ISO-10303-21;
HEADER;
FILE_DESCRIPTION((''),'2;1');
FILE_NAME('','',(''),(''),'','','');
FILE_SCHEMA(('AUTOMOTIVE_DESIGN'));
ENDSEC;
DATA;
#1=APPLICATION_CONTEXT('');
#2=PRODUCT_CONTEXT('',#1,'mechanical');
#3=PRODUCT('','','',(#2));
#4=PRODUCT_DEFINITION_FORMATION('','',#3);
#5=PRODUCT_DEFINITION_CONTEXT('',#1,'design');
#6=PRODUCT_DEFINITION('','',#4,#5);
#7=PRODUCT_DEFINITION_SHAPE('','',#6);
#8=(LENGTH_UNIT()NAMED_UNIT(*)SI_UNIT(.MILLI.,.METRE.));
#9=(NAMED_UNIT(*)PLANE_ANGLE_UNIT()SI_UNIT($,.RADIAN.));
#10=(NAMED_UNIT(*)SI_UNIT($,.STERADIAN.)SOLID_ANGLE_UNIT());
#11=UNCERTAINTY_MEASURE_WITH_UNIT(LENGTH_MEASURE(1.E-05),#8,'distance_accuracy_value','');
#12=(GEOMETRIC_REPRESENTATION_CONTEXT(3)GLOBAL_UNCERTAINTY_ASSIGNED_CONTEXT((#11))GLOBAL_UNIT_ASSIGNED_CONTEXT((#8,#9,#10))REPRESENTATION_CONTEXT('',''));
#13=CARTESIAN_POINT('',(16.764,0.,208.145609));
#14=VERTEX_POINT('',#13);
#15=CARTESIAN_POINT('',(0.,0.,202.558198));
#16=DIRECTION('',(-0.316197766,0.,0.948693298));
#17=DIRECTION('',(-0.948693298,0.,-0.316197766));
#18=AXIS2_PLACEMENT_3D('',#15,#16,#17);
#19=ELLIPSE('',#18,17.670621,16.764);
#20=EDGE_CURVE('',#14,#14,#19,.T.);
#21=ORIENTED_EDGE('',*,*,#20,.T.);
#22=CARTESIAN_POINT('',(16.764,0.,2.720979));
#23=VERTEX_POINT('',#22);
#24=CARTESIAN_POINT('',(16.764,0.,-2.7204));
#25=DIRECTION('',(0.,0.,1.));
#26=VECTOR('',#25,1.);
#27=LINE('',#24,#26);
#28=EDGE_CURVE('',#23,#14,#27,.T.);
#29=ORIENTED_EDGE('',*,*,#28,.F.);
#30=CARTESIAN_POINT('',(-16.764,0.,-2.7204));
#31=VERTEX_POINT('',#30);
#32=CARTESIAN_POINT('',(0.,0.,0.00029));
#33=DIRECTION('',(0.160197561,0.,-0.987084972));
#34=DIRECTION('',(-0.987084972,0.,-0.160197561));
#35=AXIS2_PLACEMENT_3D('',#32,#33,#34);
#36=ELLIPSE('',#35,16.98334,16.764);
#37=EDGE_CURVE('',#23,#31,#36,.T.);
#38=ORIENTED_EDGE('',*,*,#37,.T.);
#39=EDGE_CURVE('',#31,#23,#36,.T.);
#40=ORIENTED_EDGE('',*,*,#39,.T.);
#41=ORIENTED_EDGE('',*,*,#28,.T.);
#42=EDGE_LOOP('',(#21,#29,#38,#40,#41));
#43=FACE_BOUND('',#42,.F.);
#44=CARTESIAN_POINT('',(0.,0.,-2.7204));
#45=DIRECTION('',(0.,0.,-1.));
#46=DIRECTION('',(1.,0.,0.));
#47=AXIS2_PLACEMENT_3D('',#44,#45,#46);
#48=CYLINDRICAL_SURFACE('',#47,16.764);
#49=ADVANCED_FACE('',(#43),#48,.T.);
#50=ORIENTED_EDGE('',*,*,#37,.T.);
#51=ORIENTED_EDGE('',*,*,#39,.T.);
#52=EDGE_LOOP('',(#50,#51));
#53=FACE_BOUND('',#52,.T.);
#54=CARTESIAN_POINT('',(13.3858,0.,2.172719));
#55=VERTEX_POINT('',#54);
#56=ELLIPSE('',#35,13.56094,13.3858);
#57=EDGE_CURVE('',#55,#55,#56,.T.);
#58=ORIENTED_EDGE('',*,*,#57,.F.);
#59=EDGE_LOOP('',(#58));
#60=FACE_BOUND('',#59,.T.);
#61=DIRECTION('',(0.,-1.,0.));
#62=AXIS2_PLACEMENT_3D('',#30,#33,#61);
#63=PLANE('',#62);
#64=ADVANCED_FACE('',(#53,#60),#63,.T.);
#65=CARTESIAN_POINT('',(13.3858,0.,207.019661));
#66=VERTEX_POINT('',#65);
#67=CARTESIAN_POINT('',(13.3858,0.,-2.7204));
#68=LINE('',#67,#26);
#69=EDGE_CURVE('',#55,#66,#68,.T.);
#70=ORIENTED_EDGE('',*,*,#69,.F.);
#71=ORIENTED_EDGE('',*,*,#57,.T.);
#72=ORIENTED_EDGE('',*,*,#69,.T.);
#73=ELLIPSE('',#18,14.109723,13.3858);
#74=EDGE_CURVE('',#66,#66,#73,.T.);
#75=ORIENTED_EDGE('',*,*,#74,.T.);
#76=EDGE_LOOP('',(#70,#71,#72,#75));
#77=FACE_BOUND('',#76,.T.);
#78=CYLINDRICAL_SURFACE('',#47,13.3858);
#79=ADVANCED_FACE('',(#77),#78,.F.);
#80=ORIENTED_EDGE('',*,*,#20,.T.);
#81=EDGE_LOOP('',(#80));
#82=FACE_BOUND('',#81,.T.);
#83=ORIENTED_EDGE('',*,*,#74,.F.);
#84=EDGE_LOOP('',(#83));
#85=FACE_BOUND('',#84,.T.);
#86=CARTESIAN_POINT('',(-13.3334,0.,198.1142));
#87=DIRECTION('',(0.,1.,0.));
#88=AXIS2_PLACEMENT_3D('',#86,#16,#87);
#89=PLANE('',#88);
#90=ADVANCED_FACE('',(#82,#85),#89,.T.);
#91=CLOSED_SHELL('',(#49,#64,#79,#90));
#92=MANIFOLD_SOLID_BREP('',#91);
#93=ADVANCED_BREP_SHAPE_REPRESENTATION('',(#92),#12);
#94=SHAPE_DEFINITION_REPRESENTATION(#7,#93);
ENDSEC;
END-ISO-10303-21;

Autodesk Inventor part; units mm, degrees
ref_plane "Start plane" through (0, 0, -2.7204) normal (0, 0, 1) x (1, 0, 0)
ref_plane "End plane" through (0, 0, 208.1466) normal (0, 0, 1) x (1, 0, 0)
sketch "Sketch" plane through (0, 0, 0) normal (0, 0, 1) x (1, 0, 0)
  circle A0 centre (0, 0) radius 13.3858
  circle A1 centre (0, 0) radius 16.764
  dimension "d0" = 33.528
  dimension "d1" = 3.3782
extrude "Body" add sketch "Sketch" along normal up to surface (210.8671 mm away) from surface at -2.7204
sketch "Sketch3" plane through (0, 0, 0) normal (0, 0, 1) x (1, 0, 0)
  line L0 (0, 0) -> (10, 0)
ref_plane "Work Plane3" through (0, 0, 0) normal (0, -1, 0) x (1, 0, 0)
ref_plane "Work Plane4" through (-13.3334, 0, 198.1142) normal (-0.3162, 0, 0.9487) x (0.9487, 0, 0.3162)
split "Split1" plane through (-13.3334, 0, 198.1142) removes the side toward (-0.3162, 0, 0.9487)
ref_plane "Work Plane5" through (-16.764, 0, -2.7204) normal (0.1602, 0, -0.9871) x (-0.9871, 0, -0.1602)
split "Split2" plane through (-16.764, 0, -2.7204) removes the side toward (0.1602, 0, -0.9871)
sketch "Sketch4" plane through (0, 0, 0) normal (0, -1, 0) x (1, 0, 0)
  line L0 (-2, -2.7204) -> (12, -2.7204) projected
  line L1 (-2, 208.1466) -> (12, 208.1466) projected
  dimension "d7" = 210.8671
equation "\"d0\" = G_H"
equation "\"d1\" = G_T"
equation "\"d2\" = G_L"
equation "\"G_H\" = 33.528"
equation "\"G_T\" = 3.3782"
equation "\"G_L\" = d7"
equation "\"G_OFFSET_START\" = 2.72042"
equation "\"G_OFFSET_END\" = 50.03276"
equation "\"d4\" = -G_OFFSET_START"
equation "\"d5\" = G_OFFSET_END + B_L"
equation "\"B_L\" = 158.11388"
properties part number "ANSI - 1 x 0.133 - 8.302" material "Steel, Mild"
